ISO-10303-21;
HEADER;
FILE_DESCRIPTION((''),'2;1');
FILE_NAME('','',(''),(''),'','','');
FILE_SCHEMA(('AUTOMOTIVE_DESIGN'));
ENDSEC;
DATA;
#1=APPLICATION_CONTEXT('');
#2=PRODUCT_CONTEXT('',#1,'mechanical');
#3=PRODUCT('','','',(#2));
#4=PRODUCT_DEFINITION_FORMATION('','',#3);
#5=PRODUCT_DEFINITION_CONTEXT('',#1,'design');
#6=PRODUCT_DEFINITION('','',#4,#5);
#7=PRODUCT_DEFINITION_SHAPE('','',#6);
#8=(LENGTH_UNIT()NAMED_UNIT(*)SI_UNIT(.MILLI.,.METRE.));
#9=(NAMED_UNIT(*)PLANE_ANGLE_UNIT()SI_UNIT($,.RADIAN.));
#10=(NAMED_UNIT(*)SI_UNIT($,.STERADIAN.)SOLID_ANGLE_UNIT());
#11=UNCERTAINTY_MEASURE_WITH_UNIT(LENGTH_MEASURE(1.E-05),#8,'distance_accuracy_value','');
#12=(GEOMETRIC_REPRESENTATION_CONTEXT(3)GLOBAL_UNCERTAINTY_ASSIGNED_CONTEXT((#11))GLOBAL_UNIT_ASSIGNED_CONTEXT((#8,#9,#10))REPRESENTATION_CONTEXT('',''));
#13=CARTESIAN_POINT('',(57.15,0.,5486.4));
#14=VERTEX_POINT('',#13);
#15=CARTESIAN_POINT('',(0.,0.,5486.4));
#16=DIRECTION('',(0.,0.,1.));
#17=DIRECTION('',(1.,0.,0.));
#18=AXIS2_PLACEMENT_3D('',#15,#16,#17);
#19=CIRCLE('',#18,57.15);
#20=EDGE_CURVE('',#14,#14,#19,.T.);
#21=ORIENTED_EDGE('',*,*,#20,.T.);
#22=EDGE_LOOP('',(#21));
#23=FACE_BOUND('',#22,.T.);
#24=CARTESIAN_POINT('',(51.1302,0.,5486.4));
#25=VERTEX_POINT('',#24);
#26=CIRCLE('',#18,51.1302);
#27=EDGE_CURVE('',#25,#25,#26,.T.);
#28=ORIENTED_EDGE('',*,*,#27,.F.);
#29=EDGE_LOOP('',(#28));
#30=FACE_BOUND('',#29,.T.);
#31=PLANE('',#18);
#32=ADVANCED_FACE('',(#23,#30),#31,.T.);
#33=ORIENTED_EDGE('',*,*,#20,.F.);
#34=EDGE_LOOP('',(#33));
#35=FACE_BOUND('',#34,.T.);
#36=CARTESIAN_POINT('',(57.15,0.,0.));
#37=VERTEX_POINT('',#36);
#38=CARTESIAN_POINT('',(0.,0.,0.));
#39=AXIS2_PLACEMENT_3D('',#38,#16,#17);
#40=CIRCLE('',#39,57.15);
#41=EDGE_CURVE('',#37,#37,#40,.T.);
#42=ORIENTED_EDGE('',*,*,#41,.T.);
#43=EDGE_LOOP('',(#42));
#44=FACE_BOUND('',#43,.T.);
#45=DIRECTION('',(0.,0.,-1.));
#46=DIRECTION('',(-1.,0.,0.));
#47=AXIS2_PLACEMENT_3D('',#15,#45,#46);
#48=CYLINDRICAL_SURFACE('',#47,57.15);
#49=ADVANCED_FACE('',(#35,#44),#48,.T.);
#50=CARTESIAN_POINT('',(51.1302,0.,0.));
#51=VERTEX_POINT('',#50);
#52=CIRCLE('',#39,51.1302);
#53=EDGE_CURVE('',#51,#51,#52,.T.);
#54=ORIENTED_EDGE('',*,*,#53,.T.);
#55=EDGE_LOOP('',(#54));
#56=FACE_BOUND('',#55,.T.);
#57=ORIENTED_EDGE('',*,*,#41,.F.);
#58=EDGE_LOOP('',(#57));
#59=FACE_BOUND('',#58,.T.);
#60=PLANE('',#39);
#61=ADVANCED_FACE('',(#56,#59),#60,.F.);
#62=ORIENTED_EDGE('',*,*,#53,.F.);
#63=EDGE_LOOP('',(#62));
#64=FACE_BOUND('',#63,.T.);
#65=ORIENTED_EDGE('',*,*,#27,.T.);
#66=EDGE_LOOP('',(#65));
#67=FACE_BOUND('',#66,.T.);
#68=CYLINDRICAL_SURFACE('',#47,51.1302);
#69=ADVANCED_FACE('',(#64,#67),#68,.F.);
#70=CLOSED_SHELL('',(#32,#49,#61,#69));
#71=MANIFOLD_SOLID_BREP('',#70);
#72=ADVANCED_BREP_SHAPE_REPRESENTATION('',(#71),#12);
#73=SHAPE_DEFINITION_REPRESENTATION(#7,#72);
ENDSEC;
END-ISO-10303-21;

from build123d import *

# Parameters (mm, degrees)
PIPESKETCH_R    = 57.15
PIPESKETCH_R_2  = 51.1302
EXTRUSION_DEPTH = 5486.4


with BuildPart() as part:
    # PipeSketch → Extrusion (new body)
    with BuildSketch(Plane.XY):
        Circle(PIPESKETCH_R)
        Circle(PIPESKETCH_R_2, mode=Mode.SUBTRACT)
    extrude(amount=EXTRUSION_DEPTH)


solid = part.part
